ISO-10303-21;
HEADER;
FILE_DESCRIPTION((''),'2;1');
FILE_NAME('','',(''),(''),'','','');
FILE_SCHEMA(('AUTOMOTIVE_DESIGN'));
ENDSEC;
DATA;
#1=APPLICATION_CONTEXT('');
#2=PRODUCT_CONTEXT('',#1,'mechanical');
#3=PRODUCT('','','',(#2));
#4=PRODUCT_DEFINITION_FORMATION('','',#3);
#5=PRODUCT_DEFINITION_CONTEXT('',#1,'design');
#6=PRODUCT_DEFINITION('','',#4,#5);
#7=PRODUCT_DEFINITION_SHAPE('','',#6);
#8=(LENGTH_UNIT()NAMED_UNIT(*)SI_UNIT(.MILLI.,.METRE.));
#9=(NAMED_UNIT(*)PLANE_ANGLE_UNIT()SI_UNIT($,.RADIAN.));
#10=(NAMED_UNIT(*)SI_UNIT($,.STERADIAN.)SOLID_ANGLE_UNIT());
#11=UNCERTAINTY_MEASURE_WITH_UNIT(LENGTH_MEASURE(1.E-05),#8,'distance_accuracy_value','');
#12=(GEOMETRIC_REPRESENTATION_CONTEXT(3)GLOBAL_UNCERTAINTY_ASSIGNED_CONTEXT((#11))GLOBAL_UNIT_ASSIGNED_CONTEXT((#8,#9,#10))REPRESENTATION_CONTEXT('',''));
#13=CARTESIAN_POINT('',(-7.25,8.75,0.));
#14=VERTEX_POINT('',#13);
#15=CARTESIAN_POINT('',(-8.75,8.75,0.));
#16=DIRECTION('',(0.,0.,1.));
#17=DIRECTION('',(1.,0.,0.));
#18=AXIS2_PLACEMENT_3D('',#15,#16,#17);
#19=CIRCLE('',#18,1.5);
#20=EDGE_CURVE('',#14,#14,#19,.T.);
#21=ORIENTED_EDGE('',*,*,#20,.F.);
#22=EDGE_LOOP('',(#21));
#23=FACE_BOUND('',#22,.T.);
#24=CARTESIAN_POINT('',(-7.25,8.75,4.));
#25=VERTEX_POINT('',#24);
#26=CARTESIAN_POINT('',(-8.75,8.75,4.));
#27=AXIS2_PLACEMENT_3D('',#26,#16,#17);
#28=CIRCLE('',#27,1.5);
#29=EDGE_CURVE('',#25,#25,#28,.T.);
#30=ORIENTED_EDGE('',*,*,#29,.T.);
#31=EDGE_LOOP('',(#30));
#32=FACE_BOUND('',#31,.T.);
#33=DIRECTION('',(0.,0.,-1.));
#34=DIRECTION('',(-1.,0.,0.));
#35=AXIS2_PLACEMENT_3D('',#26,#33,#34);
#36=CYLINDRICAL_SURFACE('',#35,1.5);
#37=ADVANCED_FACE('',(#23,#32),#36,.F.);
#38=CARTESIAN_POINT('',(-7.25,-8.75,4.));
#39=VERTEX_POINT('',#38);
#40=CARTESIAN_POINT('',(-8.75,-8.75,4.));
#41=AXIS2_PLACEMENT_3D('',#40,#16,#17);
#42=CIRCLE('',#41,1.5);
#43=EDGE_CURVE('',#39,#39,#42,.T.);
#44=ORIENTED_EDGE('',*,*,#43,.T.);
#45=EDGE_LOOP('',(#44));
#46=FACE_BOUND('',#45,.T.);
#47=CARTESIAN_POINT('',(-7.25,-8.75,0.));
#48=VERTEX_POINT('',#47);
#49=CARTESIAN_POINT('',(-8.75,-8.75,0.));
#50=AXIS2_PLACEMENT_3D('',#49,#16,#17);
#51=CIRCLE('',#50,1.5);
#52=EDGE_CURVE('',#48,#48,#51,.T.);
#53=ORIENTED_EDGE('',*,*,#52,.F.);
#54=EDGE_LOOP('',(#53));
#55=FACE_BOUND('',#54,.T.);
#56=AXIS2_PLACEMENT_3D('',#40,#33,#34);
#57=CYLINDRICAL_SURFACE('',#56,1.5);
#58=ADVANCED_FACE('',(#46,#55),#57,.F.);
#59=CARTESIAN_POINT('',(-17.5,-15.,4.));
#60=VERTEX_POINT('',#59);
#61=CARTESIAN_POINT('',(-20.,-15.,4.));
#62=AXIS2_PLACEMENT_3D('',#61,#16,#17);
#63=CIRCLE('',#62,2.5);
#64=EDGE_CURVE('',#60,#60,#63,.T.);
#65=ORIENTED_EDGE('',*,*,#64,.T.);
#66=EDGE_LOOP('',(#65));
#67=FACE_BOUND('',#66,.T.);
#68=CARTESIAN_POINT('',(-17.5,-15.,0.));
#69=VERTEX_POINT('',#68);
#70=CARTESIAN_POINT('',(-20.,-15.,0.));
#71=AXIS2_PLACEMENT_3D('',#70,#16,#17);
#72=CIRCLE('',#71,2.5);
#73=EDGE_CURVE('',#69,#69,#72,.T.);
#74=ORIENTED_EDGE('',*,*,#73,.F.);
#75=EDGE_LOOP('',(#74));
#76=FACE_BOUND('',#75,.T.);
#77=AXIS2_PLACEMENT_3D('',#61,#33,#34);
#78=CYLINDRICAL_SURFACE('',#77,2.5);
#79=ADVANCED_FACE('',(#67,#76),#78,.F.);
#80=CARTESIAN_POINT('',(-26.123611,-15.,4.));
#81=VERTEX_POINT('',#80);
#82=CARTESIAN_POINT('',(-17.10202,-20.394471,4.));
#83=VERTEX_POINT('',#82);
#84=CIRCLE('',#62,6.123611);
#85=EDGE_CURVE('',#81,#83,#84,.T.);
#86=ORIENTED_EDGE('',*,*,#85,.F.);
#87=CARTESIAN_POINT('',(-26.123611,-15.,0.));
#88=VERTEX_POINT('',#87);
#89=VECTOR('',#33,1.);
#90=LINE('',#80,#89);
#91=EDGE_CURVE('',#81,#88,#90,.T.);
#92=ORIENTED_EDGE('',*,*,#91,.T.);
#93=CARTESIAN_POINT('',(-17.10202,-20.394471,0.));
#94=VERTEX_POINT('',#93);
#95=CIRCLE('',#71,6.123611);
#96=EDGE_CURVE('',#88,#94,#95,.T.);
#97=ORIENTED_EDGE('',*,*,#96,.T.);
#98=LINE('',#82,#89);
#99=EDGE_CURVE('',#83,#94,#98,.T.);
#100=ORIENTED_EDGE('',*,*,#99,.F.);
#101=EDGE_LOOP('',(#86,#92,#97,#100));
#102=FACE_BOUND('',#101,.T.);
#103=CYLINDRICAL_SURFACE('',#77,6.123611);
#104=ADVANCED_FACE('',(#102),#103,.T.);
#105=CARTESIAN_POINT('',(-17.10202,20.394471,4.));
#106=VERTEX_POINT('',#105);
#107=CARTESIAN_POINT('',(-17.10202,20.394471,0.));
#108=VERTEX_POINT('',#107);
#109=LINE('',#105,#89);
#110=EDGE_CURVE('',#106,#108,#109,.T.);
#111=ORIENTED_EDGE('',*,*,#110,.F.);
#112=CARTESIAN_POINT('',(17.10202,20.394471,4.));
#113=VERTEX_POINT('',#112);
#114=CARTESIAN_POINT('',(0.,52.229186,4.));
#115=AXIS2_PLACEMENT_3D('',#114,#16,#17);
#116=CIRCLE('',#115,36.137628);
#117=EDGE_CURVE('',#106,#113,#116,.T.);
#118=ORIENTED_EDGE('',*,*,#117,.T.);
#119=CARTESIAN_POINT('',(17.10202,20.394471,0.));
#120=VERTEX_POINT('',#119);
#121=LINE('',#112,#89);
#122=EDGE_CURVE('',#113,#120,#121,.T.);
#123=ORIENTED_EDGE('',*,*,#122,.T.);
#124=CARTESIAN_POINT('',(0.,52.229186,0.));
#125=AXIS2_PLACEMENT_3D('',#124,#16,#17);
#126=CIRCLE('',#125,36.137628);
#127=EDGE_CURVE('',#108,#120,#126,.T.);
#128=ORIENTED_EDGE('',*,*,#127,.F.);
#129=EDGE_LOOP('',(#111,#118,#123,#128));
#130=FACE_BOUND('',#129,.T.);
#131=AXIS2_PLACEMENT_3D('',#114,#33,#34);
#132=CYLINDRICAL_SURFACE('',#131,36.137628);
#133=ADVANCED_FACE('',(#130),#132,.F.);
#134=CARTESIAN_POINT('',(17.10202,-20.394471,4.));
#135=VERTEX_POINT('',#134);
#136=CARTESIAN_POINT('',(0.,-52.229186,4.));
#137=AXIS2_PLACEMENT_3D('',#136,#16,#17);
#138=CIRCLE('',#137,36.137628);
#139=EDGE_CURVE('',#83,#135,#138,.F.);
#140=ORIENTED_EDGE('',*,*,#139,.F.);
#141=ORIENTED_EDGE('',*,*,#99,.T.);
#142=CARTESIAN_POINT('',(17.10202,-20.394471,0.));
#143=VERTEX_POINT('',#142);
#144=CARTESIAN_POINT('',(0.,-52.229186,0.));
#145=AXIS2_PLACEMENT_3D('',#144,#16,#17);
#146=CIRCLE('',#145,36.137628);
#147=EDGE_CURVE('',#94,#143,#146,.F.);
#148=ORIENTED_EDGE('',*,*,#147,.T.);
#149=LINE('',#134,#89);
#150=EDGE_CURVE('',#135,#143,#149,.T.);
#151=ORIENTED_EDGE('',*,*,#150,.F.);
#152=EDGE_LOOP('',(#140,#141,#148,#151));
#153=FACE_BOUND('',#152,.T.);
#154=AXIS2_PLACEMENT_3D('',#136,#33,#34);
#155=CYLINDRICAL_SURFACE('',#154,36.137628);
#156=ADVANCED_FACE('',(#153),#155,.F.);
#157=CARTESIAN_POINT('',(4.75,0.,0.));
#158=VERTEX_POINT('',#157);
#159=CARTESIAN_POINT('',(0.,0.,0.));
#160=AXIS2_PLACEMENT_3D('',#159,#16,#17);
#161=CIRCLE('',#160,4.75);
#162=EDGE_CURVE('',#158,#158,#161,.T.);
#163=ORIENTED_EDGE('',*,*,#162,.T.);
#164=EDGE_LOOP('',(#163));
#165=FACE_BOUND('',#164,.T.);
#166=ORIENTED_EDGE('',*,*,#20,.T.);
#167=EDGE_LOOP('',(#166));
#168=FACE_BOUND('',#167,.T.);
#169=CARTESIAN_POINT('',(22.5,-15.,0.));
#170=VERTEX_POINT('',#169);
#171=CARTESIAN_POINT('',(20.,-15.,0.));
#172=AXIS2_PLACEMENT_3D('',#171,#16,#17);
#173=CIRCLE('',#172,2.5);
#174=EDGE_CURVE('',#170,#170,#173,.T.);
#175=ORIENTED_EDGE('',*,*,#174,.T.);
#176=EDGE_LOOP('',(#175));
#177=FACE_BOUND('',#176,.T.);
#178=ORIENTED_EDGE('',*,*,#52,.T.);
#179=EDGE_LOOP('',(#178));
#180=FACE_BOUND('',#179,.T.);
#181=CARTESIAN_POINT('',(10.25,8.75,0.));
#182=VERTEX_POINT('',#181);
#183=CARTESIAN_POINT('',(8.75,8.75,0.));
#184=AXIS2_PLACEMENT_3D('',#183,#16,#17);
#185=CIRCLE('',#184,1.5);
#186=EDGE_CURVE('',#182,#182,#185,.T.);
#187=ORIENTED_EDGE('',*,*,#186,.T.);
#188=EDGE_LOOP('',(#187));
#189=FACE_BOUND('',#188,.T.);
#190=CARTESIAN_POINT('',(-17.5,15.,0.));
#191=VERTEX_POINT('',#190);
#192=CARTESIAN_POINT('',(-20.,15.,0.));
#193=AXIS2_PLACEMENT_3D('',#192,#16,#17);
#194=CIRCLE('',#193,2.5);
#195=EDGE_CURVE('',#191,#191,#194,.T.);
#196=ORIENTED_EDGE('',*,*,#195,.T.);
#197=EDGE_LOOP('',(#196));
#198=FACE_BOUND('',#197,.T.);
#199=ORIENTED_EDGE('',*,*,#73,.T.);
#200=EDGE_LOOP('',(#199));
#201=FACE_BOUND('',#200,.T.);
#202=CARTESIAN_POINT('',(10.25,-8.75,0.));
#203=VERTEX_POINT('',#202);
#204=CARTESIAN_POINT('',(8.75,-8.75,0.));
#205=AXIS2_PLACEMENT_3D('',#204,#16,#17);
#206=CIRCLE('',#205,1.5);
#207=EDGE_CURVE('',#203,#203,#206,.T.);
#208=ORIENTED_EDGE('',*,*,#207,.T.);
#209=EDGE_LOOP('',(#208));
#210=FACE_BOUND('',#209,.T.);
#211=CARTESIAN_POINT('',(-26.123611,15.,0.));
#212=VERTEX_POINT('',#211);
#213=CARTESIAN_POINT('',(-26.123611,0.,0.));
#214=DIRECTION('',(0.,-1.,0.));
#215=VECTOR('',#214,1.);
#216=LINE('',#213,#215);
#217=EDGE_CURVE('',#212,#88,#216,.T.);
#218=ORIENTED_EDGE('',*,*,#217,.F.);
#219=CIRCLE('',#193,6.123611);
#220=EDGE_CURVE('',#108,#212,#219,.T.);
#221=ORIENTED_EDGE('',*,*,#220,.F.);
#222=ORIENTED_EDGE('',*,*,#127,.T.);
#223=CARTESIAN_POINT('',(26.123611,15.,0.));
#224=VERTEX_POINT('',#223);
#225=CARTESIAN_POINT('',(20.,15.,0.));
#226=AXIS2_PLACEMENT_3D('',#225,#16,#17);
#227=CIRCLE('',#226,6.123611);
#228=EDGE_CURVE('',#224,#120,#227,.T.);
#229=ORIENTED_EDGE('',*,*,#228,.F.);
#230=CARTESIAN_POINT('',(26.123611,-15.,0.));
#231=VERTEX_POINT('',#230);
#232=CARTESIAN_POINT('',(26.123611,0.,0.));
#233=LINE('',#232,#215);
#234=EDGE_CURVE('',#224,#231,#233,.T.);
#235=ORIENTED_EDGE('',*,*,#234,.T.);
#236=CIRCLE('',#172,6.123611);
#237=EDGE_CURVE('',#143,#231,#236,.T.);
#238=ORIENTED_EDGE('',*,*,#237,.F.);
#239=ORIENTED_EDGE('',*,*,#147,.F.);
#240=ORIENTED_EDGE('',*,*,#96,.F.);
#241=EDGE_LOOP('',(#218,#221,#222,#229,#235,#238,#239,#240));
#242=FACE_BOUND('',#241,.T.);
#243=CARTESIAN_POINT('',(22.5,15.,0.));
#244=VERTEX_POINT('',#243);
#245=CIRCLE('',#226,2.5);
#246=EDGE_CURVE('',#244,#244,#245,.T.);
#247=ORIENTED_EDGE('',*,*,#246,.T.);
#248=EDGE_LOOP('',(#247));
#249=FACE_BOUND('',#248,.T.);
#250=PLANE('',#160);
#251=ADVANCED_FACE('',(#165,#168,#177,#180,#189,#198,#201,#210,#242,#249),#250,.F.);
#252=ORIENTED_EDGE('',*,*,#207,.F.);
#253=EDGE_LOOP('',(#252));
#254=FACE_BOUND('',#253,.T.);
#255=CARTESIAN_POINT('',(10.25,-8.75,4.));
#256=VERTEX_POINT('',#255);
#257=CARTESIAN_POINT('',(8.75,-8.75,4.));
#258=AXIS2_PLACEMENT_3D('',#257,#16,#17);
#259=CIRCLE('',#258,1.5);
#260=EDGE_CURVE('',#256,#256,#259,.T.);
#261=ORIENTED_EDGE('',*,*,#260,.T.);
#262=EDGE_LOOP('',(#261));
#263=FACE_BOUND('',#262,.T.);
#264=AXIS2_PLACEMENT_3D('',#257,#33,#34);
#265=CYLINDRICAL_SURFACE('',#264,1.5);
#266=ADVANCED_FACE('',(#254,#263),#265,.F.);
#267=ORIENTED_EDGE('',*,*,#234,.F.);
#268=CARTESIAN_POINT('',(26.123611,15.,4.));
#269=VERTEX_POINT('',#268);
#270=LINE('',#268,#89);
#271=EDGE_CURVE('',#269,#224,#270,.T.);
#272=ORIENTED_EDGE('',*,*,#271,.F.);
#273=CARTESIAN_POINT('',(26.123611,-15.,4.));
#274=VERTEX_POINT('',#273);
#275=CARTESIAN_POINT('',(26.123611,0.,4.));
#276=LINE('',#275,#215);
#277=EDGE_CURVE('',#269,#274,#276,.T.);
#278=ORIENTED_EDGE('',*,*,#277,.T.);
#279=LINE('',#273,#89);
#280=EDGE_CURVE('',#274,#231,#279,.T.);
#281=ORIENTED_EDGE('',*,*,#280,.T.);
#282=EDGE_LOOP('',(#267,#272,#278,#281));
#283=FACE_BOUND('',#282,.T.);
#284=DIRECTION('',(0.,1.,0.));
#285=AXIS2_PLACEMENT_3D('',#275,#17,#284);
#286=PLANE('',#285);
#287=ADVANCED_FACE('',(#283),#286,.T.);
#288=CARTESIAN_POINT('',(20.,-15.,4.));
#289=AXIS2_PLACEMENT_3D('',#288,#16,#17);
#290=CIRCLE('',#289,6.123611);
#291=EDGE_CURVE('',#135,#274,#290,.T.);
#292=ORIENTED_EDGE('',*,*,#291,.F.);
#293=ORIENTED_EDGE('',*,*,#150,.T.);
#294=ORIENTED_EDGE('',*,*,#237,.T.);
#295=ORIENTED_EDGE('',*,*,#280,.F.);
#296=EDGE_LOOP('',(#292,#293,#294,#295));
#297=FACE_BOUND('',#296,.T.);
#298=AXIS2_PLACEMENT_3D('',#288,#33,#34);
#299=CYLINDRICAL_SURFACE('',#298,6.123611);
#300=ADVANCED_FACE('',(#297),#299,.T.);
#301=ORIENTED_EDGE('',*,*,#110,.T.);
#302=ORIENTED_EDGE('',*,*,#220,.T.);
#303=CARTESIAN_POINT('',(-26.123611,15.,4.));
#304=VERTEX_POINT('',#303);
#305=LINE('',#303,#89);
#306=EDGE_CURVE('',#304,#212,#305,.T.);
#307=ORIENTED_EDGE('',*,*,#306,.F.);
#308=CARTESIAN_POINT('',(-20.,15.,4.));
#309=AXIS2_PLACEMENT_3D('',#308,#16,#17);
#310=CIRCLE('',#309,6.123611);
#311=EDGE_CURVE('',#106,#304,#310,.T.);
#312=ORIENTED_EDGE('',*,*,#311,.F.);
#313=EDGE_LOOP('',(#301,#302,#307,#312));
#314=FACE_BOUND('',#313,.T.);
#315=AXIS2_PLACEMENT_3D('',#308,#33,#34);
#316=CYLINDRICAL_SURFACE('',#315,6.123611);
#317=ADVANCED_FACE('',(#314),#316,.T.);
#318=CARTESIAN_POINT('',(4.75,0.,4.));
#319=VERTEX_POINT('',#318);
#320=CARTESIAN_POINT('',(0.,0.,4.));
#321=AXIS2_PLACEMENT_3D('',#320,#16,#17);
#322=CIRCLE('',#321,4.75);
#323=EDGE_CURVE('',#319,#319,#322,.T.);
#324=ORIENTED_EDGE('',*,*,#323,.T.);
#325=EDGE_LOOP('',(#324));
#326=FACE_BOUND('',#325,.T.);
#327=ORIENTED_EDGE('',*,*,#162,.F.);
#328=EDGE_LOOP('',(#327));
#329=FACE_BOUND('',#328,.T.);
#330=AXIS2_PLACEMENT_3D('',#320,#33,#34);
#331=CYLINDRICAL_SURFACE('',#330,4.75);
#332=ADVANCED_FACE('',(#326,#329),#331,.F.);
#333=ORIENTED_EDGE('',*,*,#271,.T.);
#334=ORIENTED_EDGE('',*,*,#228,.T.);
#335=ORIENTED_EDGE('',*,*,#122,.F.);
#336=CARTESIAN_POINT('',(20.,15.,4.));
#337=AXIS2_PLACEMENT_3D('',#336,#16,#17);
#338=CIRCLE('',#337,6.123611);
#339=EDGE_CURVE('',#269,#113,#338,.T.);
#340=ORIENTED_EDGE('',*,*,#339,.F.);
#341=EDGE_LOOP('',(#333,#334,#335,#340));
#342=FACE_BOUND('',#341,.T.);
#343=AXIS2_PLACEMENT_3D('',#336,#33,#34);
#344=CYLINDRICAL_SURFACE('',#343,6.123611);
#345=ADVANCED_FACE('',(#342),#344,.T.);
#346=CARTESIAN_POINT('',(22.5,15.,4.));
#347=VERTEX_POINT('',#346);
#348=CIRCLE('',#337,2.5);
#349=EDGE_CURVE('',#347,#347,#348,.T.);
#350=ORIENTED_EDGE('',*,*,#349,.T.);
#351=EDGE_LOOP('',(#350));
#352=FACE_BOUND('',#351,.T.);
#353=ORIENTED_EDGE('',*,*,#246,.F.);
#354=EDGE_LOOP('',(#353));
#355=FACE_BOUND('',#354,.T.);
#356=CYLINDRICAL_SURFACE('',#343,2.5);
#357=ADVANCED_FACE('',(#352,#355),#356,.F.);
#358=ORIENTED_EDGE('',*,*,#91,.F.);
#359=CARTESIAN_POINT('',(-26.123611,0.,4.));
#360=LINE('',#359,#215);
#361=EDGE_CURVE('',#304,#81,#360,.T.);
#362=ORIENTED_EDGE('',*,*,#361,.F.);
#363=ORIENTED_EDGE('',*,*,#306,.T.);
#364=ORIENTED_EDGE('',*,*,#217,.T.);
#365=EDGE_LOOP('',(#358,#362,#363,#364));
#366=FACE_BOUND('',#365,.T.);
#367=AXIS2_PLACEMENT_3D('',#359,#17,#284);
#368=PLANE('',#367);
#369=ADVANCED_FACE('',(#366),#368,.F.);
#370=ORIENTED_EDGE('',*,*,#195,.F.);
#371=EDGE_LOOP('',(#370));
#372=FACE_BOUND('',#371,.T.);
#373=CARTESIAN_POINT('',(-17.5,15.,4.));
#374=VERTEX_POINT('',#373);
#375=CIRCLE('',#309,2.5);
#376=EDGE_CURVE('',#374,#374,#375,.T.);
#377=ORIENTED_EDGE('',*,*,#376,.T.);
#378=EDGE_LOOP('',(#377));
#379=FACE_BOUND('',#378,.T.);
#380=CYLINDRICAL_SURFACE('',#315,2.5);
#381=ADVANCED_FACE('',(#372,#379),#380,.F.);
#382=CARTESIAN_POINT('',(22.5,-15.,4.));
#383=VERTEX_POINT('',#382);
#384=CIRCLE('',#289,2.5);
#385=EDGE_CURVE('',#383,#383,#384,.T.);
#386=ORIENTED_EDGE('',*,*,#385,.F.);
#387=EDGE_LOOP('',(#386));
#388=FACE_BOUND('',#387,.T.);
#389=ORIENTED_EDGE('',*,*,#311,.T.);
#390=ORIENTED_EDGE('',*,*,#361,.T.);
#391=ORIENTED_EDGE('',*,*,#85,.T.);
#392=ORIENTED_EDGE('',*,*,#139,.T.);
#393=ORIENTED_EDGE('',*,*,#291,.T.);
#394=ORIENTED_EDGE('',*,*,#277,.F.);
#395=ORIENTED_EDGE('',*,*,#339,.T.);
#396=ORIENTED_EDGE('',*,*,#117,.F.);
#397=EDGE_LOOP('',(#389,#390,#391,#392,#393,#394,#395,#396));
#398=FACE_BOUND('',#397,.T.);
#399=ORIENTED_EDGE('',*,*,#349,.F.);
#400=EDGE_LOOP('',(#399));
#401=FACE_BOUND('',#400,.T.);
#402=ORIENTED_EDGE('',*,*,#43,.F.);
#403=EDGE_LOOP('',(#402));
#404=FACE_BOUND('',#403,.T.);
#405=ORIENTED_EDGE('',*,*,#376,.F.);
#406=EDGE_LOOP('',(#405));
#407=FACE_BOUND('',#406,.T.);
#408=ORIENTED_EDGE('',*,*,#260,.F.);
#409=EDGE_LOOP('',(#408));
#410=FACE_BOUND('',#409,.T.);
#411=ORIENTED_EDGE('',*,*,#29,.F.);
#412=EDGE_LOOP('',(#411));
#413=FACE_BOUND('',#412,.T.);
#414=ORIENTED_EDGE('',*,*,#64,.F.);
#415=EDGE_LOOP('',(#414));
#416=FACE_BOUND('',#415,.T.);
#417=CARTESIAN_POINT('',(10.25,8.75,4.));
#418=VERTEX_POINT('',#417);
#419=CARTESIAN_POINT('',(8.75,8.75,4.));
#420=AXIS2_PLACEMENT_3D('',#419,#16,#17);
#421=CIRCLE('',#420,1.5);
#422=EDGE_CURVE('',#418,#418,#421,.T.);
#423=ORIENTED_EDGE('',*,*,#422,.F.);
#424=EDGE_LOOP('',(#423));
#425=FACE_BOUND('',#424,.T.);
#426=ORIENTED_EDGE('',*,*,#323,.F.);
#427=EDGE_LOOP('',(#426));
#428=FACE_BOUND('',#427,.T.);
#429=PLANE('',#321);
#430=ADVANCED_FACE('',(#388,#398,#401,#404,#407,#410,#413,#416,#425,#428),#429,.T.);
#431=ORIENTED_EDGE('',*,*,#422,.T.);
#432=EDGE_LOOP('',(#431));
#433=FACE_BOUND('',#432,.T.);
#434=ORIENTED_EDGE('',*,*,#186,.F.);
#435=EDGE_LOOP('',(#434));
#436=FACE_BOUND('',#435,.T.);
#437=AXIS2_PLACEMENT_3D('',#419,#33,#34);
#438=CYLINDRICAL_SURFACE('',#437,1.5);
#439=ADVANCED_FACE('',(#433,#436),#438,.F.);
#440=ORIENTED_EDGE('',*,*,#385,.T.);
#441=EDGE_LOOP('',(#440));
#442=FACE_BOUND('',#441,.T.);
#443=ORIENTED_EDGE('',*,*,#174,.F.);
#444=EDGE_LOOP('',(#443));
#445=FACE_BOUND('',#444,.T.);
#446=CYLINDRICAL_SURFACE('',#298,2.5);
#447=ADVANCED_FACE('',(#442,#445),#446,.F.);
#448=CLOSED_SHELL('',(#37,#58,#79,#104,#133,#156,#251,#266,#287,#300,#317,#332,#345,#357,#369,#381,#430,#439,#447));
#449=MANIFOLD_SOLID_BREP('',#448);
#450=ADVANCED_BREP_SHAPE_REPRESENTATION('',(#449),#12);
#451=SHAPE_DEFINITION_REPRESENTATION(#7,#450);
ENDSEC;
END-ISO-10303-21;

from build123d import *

# Parameters (mm, degrees)
SKETCH6_R           = 6.123610741
BOSS_EXTRUDE1_DEPTH = 4
SKETCH1_R           = 1.5
SKETCH1_R_2         = 4.75
CUT_EXTRUDE1_DEPTH  = 34.832676052
SKETCH4_R           = 2.5
CUT_EXTRUDE2_DEPTH  = 34.832676052


with BuildPart() as part:
    # Sketch6 → Boss-Extrude1 (new body)
    with BuildSketch(Plane.XY):
        with BuildLine():
            ThreePointArc((-13.876389259, 15), (-20, 8.876389259), (-26.123610741, 15))
            Line((-26.123610741, 15), (-26.123610741, -15))
            ThreePointArc((-26.123610741, -15), (-20, -8.876389259), (-13.876389259, -15))
            ThreePointArc((-13.876389259, -15), (-14.744302684, -18.142650827), (-17.102020228, -20.394471406))
            ThreePointArc((-17.102020228, -20.394471406), (0, -16.091558121), (17.102020228, -20.394471406))
            ThreePointArc((17.102020228, -20.394471406), (16.857349173, -9.744302684), (26.123610741, -15))
            Line((26.123610741, -15), (26.123610741, 15))
            ThreePointArc((26.123610741, 15), (16.857349173, 9.744302684), (17.102020228, 20.394471406))
            ThreePointArc((17.102020228, 20.394471406), (0, 16.091558121), (-17.102020228, 20.394471406))
            ThreePointArc((-17.102020228, 20.394471406), (-14.744302684, 18.142650827), (-13.876389259, 15))
        make_face()
        with Locations((-20, -15)):
            Circle(SKETCH6_R)
        with Locations((-20, 15)):
            Circle(SKETCH6_R)
        with Locations((20, 15)):
            Circle(SKETCH6_R)
        with Locations((20, -15)):
            Circle(SKETCH6_R)
    extrude(amount=BOSS_EXTRUDE1_DEPTH)

    # Sketch1 → Cut-Extrude1 (cut, through all)
    with BuildSketch(Plane.XY):
        with Locations((-8.75, -8.75)):
            Circle(SKETCH1_R)
        with Locations((-8.75, 8.75)):
            Circle(SKETCH1_R)
        with Locations((8.75, 8.75)):
            Circle(SKETCH1_R)
        with Locations((8.75, -8.75)):
            Circle(SKETCH1_R)
        Circle(SKETCH1_R_2)
    extrude(amount=CUT_EXTRUDE1_DEPTH, mode=Mode.SUBTRACT)

    # Sketch4 → Cut-Extrude2 (cut, through all)
    with BuildSketch(Plane.XY):
        with Locations((-20, 15)):
            Circle(SKETCH4_R)
        with Locations((20, 15)):
            Circle(SKETCH4_R)
        with Locations((20, -15)):
            Circle(SKETCH4_R)
        with Locations((-20, -15)):
            Circle(SKETCH4_R)
    extrude(amount=CUT_EXTRUDE2_DEPTH, mode=Mode.SUBTRACT)


solid = part.part
